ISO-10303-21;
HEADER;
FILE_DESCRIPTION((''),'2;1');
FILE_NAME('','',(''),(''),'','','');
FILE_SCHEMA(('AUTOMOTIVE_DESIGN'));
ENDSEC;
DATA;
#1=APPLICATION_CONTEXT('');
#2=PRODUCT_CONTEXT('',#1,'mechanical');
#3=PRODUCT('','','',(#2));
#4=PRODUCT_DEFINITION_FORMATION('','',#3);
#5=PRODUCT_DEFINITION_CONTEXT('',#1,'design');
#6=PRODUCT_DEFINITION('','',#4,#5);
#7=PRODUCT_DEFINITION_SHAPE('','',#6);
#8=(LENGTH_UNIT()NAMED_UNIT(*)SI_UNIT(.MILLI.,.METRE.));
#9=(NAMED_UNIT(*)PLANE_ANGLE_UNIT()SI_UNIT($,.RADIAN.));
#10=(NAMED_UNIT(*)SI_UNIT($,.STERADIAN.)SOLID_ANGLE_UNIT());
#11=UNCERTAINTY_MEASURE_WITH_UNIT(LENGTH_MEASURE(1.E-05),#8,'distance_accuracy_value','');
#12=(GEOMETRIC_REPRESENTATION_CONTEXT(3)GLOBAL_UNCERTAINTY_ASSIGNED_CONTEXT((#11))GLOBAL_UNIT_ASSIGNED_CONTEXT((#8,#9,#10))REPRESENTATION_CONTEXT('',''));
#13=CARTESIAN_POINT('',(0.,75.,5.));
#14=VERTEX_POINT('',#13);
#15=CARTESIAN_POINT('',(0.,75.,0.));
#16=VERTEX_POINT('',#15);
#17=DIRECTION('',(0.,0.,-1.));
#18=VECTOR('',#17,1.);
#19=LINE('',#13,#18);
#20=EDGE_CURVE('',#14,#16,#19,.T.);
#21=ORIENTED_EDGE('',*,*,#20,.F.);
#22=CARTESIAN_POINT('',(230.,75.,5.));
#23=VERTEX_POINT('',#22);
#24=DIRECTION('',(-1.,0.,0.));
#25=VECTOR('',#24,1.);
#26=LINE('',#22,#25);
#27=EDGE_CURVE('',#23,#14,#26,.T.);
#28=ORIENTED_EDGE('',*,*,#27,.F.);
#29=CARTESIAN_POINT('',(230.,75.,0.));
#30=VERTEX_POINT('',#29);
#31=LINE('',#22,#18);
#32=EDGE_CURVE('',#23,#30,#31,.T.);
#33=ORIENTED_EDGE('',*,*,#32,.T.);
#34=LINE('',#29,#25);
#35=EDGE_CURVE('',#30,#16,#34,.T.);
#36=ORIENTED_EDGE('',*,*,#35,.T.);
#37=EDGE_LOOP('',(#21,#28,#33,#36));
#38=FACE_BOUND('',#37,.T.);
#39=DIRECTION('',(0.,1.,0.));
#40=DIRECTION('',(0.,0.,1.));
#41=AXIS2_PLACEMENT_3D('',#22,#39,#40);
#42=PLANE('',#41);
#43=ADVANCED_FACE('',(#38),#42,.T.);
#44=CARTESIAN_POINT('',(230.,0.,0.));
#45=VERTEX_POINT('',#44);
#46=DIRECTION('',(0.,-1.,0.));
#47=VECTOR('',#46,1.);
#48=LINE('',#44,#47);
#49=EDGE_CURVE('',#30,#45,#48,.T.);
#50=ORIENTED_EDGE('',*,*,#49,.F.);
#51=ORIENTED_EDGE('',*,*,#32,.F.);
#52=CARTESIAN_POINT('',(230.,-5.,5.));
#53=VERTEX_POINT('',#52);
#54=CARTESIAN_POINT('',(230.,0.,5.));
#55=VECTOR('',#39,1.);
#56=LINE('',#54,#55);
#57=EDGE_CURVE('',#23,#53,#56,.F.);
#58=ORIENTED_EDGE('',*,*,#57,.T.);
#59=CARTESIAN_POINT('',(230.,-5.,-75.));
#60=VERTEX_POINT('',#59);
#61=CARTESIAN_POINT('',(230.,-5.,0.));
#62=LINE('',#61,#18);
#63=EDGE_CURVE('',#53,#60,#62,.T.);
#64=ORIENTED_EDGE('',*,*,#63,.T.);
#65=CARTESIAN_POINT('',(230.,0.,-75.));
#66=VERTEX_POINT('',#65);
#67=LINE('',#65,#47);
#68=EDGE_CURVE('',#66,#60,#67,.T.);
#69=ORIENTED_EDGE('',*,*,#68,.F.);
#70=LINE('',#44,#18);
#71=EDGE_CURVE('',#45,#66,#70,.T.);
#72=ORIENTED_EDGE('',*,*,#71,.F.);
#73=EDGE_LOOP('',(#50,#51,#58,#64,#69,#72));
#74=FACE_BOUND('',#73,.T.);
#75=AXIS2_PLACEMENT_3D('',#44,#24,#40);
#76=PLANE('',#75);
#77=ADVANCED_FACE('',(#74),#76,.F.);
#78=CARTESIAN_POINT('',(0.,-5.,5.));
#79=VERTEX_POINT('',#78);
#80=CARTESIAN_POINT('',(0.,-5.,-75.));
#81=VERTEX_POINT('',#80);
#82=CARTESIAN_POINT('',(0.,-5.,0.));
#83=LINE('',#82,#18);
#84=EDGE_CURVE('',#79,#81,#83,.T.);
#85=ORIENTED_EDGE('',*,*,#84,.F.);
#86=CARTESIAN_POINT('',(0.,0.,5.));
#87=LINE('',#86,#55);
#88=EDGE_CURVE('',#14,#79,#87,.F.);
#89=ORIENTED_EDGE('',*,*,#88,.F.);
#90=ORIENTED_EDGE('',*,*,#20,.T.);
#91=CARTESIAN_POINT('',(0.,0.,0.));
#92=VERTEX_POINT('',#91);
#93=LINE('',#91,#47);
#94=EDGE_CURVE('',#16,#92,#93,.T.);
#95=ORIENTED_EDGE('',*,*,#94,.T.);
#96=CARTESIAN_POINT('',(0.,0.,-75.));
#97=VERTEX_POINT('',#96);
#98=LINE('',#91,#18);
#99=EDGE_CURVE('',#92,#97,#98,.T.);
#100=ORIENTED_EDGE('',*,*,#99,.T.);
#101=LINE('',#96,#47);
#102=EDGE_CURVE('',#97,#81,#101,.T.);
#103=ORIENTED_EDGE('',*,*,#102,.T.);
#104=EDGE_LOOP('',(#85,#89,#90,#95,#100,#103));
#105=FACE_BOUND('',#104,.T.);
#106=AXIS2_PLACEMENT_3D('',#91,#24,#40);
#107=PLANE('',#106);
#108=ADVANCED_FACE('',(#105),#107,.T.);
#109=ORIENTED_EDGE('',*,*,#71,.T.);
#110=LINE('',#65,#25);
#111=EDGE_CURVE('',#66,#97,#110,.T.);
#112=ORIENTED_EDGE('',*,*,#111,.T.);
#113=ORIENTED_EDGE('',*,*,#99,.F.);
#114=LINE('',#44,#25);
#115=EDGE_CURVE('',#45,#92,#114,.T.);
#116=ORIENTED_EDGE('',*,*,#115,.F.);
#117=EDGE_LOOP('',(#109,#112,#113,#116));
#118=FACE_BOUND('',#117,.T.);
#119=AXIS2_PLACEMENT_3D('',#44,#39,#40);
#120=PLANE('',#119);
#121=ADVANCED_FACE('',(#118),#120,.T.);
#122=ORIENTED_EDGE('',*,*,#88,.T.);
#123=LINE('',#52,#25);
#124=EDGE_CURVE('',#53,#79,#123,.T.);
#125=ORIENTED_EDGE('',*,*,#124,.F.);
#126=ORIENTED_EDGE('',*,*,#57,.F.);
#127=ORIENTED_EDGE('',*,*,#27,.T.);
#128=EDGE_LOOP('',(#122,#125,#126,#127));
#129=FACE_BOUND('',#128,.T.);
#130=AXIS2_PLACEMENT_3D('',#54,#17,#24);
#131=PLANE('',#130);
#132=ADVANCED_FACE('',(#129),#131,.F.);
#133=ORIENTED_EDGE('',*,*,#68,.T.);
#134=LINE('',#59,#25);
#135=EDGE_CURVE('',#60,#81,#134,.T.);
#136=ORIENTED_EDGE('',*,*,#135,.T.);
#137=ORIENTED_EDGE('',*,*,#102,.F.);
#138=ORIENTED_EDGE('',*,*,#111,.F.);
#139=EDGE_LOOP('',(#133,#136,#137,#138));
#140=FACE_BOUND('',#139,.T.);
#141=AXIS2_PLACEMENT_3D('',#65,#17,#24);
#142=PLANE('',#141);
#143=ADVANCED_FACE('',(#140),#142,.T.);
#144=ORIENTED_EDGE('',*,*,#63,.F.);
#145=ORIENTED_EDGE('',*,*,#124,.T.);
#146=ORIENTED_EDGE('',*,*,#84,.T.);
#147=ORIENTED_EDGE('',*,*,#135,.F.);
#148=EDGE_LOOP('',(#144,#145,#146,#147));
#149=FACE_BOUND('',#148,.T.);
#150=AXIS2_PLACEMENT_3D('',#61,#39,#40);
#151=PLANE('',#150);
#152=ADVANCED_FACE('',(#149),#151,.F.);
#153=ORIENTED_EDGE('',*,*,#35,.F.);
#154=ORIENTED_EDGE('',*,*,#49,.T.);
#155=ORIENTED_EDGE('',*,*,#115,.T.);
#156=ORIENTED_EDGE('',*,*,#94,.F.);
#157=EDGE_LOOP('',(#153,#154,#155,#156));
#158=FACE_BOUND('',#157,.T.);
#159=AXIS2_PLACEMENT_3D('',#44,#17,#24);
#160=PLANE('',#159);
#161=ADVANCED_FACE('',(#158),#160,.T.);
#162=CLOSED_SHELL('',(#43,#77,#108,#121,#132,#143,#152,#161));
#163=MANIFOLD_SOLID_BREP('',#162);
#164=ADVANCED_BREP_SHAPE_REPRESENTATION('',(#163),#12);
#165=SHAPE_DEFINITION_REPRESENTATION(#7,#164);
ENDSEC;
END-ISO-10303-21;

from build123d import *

# Parameters (mm, degrees)
EXTRUDE_1_DEPTH = 230


with BuildPart() as part:
    # Эскиз1 → Вытянуть-Тонкостенный1 (new body)
    with BuildSketch(Plane(origin=(0, 0, 0), x_dir=(0, 0, -1), z_dir=(1, 0, 0))):
        Polygon((75, 0), (0, 0), (0, 75), (-5, 75), (-5, -5), (75, -5), align=None)
    extrude(amount=EXTRUDE_1_DEPTH)


solid = part.part
